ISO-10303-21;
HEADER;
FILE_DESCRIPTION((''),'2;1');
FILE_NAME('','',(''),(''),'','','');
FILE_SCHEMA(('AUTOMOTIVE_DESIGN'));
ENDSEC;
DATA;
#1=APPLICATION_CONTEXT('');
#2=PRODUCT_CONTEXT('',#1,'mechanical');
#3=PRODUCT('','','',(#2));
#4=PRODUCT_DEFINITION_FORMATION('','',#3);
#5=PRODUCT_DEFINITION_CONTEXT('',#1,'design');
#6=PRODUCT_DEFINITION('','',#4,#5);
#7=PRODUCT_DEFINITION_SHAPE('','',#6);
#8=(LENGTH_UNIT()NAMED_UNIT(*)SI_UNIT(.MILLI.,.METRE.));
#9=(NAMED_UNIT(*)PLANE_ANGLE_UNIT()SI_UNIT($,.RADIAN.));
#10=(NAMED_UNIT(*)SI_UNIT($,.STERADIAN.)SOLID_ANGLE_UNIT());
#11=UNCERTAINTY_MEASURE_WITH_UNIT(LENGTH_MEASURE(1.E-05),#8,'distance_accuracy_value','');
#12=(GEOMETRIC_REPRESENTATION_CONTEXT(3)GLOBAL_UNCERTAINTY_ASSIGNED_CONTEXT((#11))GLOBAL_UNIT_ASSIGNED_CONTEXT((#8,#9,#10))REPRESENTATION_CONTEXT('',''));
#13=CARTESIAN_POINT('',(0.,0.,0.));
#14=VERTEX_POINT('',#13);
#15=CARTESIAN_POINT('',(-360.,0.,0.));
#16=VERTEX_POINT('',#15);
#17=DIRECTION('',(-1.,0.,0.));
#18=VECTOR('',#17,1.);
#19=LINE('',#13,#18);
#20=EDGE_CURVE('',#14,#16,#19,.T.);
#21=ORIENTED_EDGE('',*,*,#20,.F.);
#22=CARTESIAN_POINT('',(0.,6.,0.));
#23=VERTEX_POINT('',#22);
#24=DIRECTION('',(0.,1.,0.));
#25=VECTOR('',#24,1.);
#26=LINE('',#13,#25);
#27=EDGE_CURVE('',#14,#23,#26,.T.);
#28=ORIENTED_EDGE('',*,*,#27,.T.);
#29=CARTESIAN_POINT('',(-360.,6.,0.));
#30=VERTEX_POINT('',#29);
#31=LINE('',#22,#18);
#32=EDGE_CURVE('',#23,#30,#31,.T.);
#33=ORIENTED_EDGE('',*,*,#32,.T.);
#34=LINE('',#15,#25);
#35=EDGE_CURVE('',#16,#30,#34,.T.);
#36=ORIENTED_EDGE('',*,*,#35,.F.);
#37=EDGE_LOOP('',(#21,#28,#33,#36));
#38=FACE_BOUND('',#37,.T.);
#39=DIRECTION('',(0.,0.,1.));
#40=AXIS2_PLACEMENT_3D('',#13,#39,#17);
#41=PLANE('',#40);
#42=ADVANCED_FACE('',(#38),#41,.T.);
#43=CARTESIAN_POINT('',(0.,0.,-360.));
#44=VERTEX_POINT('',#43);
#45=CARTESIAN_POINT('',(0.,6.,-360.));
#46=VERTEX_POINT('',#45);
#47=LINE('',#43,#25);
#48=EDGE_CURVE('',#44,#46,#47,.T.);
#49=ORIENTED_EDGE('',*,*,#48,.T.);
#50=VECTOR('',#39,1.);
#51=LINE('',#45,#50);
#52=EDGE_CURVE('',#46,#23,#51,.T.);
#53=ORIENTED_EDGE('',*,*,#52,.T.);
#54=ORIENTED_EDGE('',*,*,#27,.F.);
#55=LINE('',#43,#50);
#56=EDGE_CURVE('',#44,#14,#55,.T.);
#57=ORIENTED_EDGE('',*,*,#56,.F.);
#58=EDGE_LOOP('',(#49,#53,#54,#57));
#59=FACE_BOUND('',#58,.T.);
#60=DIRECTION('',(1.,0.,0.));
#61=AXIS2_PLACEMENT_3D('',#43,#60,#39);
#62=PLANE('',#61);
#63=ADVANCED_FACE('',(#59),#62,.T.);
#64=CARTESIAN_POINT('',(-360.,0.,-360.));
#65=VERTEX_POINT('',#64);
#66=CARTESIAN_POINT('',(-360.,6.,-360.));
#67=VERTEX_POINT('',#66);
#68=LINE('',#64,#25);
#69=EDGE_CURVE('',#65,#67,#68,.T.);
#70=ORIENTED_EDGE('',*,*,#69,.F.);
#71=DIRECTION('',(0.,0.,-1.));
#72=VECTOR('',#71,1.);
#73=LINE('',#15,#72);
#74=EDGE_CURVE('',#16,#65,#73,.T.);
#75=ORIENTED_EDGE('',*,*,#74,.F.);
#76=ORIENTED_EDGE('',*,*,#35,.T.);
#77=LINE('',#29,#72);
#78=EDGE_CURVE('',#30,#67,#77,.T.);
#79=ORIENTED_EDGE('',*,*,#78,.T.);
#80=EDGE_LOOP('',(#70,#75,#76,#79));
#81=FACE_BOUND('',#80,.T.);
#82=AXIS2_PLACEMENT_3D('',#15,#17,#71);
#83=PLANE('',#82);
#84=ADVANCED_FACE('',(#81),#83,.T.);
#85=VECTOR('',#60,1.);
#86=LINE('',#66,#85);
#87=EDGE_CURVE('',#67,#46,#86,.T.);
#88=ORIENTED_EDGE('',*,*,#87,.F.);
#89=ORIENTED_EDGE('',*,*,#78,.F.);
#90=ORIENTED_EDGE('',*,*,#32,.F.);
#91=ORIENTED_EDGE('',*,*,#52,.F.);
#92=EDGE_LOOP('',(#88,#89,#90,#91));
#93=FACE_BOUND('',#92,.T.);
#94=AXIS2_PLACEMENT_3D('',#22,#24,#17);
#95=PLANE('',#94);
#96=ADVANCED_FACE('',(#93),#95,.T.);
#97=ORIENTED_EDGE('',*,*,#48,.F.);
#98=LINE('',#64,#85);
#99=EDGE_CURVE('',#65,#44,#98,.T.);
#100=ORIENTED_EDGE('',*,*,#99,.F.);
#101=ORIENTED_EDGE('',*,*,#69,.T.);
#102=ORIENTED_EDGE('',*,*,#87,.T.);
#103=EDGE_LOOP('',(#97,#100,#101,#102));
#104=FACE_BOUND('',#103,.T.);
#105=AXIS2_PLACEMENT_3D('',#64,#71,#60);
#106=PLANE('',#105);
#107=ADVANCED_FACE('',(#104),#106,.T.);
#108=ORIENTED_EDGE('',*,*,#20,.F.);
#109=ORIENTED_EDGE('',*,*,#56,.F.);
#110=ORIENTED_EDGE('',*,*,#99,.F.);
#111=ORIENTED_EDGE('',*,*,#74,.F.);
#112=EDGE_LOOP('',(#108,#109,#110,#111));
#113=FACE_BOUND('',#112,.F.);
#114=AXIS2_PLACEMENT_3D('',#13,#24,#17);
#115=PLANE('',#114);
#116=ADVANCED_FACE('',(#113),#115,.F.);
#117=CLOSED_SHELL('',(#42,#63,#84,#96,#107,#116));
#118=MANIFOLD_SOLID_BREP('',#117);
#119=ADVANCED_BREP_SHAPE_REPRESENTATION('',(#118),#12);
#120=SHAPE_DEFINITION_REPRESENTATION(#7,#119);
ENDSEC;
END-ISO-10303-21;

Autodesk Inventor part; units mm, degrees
ref_plane "YZ Plane" through (0, 0, 0) normal (1, 0, 0) x (0, 1, 0)
ref_plane "XZ Plane" through (0, 0, 0) normal (0, 1, 0) x (-1, 0, 0)
ref_plane "XY Plane" through (0, 0, 0) normal (0, 0, 1) x (1, 0, 0)
sketch "Sketch1" plane through (0, 0, 0) normal (0, 1, 0) x (-1, 0, 0)
  line L0 (0, 0) -> (360, 0)
  line L1 (360, 0) -> (360, -360)
  line L2 (360, -360) -> (0, -360)
  line L3 (0, -360) -> (0, 0)
  dimension "d0" = 360
  dimension "d1" = 360
extrude "Extrusion1" add sketch "Sketch1" along normal blind 6
properties part number "base_plank"
